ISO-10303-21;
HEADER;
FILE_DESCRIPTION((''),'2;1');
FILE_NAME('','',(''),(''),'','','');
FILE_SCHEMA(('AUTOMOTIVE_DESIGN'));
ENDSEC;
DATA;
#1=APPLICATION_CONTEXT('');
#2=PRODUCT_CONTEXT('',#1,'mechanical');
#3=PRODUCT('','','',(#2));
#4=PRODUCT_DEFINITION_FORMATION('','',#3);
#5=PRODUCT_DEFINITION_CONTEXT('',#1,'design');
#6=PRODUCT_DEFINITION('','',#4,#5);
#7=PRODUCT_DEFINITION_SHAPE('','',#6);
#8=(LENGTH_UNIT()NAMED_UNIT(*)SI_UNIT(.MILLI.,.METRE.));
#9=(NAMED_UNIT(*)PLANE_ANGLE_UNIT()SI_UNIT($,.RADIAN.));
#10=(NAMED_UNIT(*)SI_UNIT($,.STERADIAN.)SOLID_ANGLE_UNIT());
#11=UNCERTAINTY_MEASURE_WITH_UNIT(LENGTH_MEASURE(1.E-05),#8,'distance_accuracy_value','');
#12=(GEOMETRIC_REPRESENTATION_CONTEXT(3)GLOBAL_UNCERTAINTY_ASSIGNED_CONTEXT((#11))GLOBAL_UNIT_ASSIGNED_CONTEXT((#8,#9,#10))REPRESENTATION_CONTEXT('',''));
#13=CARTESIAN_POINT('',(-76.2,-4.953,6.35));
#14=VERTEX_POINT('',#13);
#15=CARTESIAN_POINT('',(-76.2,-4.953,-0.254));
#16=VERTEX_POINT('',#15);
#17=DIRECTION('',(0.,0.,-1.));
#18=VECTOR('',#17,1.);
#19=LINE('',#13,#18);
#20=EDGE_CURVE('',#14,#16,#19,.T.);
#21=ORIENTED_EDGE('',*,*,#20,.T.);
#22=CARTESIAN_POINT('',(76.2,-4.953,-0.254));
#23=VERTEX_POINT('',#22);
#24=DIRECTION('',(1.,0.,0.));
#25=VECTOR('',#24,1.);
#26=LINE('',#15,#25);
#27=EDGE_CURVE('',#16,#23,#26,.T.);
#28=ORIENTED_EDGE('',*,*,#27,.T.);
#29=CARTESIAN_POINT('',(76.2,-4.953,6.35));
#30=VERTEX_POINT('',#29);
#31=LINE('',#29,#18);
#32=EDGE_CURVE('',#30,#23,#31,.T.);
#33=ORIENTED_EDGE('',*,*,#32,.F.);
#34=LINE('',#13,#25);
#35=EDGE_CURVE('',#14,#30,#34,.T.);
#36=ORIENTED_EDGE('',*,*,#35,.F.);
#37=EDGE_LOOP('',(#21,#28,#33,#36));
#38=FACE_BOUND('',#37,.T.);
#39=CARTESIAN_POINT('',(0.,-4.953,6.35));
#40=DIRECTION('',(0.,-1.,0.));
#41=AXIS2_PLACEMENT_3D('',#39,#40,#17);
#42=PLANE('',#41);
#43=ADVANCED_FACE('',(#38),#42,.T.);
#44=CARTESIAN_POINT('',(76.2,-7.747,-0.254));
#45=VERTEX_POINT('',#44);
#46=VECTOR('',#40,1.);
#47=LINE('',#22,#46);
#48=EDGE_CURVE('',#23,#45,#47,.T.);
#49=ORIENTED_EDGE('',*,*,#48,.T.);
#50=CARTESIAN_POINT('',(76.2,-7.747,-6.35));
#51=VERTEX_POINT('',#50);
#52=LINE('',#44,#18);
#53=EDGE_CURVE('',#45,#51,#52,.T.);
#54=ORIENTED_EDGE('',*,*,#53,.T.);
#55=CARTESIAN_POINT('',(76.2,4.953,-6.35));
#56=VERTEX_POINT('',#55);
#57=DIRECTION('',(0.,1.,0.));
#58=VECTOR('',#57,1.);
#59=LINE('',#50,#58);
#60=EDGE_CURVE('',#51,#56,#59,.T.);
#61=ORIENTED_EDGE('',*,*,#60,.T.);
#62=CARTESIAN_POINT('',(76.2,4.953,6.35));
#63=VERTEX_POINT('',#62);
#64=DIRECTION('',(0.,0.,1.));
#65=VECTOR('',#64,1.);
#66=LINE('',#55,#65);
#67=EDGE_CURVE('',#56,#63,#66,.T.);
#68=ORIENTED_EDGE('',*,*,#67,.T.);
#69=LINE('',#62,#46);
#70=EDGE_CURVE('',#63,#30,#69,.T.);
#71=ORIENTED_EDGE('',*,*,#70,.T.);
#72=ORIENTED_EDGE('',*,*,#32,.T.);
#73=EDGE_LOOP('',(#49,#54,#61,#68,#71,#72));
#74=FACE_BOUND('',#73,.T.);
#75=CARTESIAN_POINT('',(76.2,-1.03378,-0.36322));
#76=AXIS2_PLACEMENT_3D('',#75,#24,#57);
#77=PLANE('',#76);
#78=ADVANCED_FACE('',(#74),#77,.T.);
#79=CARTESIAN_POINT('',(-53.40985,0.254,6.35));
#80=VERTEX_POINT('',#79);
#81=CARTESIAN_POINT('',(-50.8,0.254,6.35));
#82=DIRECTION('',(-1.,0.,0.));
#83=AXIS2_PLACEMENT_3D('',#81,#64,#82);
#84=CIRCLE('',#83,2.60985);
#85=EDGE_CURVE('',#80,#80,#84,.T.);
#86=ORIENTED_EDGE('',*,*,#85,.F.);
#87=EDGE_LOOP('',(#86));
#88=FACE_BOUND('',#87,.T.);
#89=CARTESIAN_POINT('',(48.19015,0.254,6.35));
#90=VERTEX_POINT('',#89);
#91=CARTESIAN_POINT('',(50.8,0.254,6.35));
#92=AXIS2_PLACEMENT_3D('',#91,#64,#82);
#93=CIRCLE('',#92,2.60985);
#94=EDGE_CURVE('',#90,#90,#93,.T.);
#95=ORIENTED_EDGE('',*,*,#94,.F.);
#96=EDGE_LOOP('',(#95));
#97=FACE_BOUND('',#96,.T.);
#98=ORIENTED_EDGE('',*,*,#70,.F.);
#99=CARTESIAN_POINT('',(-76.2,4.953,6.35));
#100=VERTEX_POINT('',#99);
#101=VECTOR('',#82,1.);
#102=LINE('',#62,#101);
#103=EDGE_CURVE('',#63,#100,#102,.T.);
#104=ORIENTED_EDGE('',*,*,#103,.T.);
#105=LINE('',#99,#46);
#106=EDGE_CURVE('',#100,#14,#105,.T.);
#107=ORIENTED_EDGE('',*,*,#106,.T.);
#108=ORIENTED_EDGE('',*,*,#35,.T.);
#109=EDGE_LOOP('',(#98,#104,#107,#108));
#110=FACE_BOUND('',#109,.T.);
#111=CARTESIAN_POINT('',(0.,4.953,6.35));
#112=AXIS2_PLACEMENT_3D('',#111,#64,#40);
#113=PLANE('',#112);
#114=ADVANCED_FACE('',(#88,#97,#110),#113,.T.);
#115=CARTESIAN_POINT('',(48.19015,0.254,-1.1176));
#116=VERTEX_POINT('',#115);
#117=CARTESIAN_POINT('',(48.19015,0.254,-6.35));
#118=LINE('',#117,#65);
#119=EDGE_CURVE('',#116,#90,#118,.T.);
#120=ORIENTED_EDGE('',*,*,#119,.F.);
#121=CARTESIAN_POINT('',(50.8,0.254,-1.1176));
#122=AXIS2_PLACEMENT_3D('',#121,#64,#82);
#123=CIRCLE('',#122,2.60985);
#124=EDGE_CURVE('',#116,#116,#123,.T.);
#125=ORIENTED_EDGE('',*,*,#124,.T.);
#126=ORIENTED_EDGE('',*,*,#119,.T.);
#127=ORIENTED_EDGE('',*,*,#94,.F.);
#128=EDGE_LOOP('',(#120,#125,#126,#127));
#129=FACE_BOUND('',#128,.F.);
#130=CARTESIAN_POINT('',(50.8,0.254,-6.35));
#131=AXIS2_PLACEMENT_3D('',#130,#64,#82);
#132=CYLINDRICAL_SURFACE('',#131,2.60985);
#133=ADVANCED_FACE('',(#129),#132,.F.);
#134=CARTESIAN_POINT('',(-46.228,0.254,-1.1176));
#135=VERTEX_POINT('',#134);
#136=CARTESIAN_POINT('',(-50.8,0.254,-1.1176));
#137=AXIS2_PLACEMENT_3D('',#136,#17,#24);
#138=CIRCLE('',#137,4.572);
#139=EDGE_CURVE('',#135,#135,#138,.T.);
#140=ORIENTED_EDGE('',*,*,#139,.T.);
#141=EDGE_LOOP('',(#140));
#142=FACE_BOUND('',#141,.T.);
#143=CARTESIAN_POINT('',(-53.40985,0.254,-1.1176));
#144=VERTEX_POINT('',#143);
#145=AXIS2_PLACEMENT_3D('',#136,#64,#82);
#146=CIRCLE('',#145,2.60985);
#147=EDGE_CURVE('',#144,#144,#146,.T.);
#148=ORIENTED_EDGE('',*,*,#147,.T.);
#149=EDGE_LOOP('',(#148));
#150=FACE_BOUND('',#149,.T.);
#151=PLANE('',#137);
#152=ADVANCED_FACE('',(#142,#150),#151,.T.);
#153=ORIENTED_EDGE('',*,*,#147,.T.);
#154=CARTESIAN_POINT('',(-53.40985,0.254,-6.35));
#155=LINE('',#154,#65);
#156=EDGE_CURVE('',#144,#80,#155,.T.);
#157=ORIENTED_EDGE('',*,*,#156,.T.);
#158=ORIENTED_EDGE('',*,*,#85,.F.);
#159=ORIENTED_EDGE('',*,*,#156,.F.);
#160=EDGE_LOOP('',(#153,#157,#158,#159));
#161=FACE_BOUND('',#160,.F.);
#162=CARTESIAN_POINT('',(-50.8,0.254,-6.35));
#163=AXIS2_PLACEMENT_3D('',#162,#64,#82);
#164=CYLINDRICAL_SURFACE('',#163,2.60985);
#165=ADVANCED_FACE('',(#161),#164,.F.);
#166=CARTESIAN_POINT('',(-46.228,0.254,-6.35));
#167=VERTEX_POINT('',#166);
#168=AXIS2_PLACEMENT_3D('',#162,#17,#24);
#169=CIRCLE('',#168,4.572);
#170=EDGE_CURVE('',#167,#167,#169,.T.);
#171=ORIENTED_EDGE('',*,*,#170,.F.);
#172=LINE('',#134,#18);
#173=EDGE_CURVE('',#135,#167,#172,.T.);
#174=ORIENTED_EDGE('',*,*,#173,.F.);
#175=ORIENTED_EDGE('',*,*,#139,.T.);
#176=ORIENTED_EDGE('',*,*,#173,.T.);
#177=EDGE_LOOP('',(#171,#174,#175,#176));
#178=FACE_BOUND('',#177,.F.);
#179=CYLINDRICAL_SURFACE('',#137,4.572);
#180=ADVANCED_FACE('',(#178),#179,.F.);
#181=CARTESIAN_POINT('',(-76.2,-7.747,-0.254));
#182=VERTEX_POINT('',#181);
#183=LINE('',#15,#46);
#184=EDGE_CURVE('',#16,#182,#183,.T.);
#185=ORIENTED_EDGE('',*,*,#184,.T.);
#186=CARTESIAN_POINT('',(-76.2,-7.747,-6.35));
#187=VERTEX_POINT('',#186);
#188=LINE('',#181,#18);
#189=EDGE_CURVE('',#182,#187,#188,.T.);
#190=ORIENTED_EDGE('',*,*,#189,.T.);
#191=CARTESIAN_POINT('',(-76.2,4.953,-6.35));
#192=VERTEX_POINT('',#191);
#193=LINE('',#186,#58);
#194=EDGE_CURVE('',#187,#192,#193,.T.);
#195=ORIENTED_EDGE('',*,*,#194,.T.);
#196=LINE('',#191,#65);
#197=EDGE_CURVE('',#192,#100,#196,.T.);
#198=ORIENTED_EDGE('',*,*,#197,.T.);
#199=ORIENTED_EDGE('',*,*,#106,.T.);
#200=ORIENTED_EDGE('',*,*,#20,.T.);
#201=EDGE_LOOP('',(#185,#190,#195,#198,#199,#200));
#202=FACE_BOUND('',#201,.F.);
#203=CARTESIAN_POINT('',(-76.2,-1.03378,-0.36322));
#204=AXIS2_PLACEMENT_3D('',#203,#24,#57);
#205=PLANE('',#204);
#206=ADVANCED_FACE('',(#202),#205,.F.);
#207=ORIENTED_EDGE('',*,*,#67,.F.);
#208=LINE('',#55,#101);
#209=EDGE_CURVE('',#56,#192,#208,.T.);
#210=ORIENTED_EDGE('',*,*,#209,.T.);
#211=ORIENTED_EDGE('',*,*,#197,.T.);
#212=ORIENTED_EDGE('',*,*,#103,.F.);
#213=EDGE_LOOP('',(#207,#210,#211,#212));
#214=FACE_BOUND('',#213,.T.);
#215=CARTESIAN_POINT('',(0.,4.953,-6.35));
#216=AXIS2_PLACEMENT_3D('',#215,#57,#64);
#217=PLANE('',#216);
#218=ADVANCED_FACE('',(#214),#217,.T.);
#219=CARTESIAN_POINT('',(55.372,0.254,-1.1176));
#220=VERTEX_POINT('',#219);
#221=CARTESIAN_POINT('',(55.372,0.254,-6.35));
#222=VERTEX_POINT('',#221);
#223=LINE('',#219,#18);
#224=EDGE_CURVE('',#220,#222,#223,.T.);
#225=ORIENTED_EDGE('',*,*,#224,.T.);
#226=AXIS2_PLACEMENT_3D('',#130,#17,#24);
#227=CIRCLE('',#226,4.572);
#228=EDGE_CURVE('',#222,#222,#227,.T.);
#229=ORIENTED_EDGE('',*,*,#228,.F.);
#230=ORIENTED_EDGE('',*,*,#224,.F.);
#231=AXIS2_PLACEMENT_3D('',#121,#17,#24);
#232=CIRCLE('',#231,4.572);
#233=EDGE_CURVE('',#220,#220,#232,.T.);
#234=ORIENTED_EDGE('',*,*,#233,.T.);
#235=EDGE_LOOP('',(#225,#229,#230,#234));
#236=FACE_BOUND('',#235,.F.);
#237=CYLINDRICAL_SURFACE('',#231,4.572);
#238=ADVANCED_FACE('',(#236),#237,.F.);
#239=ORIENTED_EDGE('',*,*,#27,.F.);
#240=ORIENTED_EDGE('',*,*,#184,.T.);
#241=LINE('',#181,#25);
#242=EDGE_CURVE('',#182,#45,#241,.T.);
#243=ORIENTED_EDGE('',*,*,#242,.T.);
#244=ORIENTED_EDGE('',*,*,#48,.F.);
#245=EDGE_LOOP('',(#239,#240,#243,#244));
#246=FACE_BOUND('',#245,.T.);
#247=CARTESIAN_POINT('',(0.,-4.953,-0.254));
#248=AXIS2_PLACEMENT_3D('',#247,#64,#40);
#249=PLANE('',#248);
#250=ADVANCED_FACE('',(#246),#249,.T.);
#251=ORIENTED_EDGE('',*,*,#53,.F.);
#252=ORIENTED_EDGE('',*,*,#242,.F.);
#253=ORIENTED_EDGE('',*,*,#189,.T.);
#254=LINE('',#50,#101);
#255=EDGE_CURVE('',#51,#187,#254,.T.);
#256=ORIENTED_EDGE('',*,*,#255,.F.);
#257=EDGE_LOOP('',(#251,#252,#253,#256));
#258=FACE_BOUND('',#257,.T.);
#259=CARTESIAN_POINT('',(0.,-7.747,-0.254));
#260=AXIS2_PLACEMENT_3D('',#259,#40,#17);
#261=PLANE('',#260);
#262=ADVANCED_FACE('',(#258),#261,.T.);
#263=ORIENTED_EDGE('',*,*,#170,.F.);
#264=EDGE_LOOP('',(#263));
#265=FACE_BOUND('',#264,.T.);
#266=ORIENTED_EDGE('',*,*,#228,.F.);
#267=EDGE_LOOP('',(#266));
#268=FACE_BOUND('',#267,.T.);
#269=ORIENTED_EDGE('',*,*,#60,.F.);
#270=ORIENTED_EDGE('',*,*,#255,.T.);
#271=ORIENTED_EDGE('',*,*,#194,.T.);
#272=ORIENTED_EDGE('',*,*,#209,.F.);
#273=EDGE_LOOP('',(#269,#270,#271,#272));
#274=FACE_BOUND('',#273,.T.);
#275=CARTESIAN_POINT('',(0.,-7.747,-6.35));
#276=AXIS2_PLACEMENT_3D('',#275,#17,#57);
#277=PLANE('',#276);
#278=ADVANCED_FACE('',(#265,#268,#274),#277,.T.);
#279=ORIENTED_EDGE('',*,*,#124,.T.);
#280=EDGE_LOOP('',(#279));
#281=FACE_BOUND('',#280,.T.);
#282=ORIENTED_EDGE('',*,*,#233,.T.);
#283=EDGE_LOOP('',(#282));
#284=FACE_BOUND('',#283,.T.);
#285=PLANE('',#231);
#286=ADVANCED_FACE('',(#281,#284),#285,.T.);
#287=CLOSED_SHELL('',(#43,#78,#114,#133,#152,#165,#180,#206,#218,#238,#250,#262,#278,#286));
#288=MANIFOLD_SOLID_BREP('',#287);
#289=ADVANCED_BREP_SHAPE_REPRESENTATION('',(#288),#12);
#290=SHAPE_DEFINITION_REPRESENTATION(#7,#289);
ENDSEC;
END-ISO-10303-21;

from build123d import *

# Parameters (mm, degrees)
F1_DEPTH       = 76.2
F3_D           = 5.2197
F3_CBORE_D     = 9.144
F3_CBORE_DEPTH = 5.2324


with BuildPart() as f1:
    # F0 (on Right) → F1 (new body, symmetric)
    with BuildSketch(Plane.YZ):
        Polygon((4.953, 6.35), (-4.953, 6.35), (-4.953, -0.254), (-7.747, -0.254), (-7.747, -6.35), (4.953, -6.35), align=None)
    extrude(amount=F1_DEPTH, both=True)

    # F3 (through all)
    with Locations(Plane(origin=(0, 0, -6.35), x_dir=(1, 0, 0), z_dir=(0, 0, -1))):
        with Locations((-50.8, -0.254), (50.8, -0.254)):
            CounterBoreHole(F3_D / 2, F3_CBORE_D / 2, F3_CBORE_DEPTH)


solid = f1.part
